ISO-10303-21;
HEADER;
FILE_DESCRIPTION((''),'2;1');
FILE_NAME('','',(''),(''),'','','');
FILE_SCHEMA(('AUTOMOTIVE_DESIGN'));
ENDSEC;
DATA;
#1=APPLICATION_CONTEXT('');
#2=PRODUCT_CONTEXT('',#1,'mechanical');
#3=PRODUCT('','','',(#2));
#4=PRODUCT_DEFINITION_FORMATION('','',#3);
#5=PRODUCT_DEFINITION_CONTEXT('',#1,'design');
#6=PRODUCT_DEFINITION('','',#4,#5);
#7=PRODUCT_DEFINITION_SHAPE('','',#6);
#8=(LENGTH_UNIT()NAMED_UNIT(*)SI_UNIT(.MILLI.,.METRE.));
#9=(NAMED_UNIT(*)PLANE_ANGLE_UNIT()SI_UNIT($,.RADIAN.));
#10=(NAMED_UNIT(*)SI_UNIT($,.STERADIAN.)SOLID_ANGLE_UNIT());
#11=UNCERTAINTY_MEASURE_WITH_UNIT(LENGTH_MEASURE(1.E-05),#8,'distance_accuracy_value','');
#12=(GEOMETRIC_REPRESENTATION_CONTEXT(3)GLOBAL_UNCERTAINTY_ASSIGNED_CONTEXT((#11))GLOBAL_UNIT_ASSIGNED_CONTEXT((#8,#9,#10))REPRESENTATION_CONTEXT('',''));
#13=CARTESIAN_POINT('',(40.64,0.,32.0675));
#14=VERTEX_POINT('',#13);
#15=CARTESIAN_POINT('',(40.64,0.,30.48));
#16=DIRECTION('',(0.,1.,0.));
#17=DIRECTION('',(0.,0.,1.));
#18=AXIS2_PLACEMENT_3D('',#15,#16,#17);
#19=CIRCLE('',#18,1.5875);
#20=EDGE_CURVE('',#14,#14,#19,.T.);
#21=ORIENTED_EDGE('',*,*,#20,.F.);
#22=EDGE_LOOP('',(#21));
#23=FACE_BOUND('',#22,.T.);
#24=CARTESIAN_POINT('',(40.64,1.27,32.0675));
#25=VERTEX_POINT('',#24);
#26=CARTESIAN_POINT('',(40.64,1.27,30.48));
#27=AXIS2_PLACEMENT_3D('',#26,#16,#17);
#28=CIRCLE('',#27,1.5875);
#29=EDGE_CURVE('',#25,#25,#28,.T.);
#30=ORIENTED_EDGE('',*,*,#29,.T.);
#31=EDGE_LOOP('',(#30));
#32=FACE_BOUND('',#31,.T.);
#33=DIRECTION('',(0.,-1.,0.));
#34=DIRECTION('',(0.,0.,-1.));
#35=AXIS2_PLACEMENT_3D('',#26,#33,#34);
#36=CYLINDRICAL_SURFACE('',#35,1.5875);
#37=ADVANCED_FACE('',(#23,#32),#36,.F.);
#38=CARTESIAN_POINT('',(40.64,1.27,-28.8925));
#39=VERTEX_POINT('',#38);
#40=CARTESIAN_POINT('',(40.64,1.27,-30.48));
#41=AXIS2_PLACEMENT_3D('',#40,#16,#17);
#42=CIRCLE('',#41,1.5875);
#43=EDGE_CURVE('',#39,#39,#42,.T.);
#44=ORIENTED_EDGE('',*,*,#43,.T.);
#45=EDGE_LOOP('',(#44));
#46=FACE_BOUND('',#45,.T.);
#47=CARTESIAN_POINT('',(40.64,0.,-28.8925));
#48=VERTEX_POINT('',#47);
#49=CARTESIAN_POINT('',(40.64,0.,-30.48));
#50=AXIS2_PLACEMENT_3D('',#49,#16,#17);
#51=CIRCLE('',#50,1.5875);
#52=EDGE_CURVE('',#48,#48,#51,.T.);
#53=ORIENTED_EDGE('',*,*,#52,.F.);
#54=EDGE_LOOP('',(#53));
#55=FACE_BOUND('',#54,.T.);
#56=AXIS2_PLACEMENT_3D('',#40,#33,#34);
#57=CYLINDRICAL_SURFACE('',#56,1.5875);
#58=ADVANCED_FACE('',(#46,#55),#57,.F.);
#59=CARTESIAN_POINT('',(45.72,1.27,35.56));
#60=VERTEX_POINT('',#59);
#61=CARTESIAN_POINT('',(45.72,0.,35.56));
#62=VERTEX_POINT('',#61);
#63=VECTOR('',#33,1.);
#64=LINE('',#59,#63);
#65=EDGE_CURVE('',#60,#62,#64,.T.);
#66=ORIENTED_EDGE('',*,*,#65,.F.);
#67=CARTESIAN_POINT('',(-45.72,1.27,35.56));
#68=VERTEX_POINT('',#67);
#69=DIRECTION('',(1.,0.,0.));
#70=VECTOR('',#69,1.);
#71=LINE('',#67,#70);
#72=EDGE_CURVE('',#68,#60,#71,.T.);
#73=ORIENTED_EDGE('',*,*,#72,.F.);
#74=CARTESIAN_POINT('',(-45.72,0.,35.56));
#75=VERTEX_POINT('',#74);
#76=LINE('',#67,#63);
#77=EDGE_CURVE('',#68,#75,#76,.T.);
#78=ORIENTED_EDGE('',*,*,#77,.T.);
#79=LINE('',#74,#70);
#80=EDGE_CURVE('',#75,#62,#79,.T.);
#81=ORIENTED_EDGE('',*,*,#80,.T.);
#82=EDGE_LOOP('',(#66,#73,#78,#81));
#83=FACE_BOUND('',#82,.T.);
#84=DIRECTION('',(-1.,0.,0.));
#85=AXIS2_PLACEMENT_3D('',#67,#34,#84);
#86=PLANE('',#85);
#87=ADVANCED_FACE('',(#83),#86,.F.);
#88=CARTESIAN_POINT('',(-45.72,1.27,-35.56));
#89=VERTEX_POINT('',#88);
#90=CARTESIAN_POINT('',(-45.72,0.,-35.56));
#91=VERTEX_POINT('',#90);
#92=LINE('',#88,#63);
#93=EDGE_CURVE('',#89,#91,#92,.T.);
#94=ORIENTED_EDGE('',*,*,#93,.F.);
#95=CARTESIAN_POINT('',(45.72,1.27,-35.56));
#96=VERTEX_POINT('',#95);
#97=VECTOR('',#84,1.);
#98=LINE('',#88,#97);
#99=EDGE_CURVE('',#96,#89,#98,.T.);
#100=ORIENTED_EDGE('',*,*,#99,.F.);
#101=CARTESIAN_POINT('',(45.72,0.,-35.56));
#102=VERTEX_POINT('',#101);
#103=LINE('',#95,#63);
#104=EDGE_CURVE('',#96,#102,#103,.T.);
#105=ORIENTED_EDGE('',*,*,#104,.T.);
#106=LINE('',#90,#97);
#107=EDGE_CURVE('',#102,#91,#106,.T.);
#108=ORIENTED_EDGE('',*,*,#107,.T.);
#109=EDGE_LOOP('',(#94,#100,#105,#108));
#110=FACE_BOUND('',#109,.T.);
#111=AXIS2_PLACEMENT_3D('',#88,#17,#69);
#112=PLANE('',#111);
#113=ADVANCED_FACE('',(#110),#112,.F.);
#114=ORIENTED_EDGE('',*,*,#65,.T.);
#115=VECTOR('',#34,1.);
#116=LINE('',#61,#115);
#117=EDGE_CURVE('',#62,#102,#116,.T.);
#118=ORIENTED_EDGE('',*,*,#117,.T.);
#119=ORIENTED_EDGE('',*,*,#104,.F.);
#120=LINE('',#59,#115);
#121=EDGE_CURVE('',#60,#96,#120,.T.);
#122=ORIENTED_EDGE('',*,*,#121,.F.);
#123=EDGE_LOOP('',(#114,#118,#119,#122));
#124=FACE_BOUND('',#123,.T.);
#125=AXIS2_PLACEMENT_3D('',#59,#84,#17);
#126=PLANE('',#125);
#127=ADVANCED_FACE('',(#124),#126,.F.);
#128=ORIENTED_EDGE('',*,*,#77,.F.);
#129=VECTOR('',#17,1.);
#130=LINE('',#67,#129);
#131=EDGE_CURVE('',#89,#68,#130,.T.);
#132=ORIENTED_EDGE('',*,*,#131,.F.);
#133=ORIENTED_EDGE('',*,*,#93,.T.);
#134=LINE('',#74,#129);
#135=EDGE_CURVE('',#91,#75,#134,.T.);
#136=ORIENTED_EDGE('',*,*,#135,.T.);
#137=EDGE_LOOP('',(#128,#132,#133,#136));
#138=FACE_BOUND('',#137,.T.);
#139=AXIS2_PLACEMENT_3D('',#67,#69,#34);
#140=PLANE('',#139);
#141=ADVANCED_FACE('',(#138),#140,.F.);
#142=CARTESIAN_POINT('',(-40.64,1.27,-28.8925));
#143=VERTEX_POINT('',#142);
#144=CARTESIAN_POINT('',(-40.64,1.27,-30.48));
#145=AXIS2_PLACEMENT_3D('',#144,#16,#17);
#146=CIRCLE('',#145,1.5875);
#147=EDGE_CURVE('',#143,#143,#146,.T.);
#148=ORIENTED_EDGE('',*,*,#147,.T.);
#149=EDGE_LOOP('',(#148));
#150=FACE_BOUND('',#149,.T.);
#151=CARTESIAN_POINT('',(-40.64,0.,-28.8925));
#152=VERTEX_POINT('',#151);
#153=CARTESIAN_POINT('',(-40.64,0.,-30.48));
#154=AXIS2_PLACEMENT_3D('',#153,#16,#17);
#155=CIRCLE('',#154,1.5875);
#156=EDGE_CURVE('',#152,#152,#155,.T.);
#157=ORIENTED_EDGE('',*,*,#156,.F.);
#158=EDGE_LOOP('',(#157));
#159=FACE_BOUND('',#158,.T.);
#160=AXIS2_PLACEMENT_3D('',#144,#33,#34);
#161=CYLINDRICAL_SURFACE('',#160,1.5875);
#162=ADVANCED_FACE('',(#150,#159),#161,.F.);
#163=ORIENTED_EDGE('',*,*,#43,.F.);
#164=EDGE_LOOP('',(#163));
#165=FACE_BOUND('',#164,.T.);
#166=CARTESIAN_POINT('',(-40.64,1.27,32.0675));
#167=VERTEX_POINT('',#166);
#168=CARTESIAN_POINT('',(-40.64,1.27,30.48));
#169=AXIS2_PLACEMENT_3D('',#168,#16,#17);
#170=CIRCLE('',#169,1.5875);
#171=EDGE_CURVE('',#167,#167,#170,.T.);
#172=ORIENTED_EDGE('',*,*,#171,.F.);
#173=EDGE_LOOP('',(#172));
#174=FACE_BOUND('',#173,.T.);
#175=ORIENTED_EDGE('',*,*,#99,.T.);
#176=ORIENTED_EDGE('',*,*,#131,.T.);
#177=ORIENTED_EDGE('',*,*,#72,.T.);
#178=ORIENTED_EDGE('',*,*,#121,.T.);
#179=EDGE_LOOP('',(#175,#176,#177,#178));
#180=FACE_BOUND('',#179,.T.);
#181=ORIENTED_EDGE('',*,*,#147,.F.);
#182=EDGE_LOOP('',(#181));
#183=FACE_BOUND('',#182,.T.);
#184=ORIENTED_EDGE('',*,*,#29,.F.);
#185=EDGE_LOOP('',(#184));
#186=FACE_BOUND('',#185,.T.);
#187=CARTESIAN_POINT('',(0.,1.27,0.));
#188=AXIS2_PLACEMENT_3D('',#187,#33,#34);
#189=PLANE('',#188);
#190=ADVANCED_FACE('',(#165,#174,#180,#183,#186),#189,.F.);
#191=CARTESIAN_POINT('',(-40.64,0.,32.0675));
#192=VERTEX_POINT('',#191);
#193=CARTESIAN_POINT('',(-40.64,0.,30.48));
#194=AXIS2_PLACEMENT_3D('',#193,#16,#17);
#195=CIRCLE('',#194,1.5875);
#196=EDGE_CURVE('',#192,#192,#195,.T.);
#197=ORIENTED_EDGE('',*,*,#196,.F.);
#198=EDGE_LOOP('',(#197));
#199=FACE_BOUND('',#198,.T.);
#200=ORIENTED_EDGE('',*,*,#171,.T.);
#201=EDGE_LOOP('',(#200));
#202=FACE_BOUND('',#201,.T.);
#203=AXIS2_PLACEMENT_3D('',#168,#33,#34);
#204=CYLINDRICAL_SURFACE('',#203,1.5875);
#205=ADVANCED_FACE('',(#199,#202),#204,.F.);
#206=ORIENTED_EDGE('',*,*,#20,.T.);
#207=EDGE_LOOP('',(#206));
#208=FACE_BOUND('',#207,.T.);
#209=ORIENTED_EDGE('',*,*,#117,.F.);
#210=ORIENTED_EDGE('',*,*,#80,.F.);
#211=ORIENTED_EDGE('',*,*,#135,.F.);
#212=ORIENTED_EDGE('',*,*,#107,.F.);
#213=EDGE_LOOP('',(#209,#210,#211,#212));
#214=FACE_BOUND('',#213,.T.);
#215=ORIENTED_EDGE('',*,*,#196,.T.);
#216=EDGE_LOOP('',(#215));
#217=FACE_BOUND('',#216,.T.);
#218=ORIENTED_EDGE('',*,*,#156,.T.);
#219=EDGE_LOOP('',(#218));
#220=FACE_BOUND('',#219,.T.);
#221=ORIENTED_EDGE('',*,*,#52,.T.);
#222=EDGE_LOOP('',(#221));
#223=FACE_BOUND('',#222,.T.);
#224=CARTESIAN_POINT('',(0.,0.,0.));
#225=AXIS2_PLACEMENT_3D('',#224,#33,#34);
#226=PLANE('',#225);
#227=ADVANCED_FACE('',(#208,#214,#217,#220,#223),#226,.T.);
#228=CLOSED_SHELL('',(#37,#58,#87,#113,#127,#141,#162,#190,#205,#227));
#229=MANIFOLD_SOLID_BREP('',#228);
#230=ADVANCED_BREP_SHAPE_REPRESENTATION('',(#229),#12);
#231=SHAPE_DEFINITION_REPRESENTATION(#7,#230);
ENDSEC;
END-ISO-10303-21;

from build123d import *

# Parameters (mm, degrees)
SKETCH1_W           = 91.44
SKETCH1_H           = 71.12
SKETCH1_R           = 1.5875
BOSS_EXTRUDE1_DEPTH = 1.27


with BuildPart() as part:
    # Sketch1 → Boss-Extrude1 (new body)
    with BuildSketch(Plane(origin=(0, 0, 0), x_dir=(1, 0, 0), z_dir=(0, 1, 0))):
        Rectangle(SKETCH1_W, SKETCH1_H)
        with Locations((-40.64, 30.48)):
            Circle(SKETCH1_R, mode=Mode.SUBTRACT)
        with Locations((40.64, 30.48)):
            Circle(SKETCH1_R, mode=Mode.SUBTRACT)
        with Locations((40.64, -30.48)):
            Circle(SKETCH1_R, mode=Mode.SUBTRACT)
        with Locations((-40.64, -30.48)):
            Circle(SKETCH1_R, mode=Mode.SUBTRACT)
    extrude(amount=BOSS_EXTRUDE1_DEPTH)


solid = part.part
